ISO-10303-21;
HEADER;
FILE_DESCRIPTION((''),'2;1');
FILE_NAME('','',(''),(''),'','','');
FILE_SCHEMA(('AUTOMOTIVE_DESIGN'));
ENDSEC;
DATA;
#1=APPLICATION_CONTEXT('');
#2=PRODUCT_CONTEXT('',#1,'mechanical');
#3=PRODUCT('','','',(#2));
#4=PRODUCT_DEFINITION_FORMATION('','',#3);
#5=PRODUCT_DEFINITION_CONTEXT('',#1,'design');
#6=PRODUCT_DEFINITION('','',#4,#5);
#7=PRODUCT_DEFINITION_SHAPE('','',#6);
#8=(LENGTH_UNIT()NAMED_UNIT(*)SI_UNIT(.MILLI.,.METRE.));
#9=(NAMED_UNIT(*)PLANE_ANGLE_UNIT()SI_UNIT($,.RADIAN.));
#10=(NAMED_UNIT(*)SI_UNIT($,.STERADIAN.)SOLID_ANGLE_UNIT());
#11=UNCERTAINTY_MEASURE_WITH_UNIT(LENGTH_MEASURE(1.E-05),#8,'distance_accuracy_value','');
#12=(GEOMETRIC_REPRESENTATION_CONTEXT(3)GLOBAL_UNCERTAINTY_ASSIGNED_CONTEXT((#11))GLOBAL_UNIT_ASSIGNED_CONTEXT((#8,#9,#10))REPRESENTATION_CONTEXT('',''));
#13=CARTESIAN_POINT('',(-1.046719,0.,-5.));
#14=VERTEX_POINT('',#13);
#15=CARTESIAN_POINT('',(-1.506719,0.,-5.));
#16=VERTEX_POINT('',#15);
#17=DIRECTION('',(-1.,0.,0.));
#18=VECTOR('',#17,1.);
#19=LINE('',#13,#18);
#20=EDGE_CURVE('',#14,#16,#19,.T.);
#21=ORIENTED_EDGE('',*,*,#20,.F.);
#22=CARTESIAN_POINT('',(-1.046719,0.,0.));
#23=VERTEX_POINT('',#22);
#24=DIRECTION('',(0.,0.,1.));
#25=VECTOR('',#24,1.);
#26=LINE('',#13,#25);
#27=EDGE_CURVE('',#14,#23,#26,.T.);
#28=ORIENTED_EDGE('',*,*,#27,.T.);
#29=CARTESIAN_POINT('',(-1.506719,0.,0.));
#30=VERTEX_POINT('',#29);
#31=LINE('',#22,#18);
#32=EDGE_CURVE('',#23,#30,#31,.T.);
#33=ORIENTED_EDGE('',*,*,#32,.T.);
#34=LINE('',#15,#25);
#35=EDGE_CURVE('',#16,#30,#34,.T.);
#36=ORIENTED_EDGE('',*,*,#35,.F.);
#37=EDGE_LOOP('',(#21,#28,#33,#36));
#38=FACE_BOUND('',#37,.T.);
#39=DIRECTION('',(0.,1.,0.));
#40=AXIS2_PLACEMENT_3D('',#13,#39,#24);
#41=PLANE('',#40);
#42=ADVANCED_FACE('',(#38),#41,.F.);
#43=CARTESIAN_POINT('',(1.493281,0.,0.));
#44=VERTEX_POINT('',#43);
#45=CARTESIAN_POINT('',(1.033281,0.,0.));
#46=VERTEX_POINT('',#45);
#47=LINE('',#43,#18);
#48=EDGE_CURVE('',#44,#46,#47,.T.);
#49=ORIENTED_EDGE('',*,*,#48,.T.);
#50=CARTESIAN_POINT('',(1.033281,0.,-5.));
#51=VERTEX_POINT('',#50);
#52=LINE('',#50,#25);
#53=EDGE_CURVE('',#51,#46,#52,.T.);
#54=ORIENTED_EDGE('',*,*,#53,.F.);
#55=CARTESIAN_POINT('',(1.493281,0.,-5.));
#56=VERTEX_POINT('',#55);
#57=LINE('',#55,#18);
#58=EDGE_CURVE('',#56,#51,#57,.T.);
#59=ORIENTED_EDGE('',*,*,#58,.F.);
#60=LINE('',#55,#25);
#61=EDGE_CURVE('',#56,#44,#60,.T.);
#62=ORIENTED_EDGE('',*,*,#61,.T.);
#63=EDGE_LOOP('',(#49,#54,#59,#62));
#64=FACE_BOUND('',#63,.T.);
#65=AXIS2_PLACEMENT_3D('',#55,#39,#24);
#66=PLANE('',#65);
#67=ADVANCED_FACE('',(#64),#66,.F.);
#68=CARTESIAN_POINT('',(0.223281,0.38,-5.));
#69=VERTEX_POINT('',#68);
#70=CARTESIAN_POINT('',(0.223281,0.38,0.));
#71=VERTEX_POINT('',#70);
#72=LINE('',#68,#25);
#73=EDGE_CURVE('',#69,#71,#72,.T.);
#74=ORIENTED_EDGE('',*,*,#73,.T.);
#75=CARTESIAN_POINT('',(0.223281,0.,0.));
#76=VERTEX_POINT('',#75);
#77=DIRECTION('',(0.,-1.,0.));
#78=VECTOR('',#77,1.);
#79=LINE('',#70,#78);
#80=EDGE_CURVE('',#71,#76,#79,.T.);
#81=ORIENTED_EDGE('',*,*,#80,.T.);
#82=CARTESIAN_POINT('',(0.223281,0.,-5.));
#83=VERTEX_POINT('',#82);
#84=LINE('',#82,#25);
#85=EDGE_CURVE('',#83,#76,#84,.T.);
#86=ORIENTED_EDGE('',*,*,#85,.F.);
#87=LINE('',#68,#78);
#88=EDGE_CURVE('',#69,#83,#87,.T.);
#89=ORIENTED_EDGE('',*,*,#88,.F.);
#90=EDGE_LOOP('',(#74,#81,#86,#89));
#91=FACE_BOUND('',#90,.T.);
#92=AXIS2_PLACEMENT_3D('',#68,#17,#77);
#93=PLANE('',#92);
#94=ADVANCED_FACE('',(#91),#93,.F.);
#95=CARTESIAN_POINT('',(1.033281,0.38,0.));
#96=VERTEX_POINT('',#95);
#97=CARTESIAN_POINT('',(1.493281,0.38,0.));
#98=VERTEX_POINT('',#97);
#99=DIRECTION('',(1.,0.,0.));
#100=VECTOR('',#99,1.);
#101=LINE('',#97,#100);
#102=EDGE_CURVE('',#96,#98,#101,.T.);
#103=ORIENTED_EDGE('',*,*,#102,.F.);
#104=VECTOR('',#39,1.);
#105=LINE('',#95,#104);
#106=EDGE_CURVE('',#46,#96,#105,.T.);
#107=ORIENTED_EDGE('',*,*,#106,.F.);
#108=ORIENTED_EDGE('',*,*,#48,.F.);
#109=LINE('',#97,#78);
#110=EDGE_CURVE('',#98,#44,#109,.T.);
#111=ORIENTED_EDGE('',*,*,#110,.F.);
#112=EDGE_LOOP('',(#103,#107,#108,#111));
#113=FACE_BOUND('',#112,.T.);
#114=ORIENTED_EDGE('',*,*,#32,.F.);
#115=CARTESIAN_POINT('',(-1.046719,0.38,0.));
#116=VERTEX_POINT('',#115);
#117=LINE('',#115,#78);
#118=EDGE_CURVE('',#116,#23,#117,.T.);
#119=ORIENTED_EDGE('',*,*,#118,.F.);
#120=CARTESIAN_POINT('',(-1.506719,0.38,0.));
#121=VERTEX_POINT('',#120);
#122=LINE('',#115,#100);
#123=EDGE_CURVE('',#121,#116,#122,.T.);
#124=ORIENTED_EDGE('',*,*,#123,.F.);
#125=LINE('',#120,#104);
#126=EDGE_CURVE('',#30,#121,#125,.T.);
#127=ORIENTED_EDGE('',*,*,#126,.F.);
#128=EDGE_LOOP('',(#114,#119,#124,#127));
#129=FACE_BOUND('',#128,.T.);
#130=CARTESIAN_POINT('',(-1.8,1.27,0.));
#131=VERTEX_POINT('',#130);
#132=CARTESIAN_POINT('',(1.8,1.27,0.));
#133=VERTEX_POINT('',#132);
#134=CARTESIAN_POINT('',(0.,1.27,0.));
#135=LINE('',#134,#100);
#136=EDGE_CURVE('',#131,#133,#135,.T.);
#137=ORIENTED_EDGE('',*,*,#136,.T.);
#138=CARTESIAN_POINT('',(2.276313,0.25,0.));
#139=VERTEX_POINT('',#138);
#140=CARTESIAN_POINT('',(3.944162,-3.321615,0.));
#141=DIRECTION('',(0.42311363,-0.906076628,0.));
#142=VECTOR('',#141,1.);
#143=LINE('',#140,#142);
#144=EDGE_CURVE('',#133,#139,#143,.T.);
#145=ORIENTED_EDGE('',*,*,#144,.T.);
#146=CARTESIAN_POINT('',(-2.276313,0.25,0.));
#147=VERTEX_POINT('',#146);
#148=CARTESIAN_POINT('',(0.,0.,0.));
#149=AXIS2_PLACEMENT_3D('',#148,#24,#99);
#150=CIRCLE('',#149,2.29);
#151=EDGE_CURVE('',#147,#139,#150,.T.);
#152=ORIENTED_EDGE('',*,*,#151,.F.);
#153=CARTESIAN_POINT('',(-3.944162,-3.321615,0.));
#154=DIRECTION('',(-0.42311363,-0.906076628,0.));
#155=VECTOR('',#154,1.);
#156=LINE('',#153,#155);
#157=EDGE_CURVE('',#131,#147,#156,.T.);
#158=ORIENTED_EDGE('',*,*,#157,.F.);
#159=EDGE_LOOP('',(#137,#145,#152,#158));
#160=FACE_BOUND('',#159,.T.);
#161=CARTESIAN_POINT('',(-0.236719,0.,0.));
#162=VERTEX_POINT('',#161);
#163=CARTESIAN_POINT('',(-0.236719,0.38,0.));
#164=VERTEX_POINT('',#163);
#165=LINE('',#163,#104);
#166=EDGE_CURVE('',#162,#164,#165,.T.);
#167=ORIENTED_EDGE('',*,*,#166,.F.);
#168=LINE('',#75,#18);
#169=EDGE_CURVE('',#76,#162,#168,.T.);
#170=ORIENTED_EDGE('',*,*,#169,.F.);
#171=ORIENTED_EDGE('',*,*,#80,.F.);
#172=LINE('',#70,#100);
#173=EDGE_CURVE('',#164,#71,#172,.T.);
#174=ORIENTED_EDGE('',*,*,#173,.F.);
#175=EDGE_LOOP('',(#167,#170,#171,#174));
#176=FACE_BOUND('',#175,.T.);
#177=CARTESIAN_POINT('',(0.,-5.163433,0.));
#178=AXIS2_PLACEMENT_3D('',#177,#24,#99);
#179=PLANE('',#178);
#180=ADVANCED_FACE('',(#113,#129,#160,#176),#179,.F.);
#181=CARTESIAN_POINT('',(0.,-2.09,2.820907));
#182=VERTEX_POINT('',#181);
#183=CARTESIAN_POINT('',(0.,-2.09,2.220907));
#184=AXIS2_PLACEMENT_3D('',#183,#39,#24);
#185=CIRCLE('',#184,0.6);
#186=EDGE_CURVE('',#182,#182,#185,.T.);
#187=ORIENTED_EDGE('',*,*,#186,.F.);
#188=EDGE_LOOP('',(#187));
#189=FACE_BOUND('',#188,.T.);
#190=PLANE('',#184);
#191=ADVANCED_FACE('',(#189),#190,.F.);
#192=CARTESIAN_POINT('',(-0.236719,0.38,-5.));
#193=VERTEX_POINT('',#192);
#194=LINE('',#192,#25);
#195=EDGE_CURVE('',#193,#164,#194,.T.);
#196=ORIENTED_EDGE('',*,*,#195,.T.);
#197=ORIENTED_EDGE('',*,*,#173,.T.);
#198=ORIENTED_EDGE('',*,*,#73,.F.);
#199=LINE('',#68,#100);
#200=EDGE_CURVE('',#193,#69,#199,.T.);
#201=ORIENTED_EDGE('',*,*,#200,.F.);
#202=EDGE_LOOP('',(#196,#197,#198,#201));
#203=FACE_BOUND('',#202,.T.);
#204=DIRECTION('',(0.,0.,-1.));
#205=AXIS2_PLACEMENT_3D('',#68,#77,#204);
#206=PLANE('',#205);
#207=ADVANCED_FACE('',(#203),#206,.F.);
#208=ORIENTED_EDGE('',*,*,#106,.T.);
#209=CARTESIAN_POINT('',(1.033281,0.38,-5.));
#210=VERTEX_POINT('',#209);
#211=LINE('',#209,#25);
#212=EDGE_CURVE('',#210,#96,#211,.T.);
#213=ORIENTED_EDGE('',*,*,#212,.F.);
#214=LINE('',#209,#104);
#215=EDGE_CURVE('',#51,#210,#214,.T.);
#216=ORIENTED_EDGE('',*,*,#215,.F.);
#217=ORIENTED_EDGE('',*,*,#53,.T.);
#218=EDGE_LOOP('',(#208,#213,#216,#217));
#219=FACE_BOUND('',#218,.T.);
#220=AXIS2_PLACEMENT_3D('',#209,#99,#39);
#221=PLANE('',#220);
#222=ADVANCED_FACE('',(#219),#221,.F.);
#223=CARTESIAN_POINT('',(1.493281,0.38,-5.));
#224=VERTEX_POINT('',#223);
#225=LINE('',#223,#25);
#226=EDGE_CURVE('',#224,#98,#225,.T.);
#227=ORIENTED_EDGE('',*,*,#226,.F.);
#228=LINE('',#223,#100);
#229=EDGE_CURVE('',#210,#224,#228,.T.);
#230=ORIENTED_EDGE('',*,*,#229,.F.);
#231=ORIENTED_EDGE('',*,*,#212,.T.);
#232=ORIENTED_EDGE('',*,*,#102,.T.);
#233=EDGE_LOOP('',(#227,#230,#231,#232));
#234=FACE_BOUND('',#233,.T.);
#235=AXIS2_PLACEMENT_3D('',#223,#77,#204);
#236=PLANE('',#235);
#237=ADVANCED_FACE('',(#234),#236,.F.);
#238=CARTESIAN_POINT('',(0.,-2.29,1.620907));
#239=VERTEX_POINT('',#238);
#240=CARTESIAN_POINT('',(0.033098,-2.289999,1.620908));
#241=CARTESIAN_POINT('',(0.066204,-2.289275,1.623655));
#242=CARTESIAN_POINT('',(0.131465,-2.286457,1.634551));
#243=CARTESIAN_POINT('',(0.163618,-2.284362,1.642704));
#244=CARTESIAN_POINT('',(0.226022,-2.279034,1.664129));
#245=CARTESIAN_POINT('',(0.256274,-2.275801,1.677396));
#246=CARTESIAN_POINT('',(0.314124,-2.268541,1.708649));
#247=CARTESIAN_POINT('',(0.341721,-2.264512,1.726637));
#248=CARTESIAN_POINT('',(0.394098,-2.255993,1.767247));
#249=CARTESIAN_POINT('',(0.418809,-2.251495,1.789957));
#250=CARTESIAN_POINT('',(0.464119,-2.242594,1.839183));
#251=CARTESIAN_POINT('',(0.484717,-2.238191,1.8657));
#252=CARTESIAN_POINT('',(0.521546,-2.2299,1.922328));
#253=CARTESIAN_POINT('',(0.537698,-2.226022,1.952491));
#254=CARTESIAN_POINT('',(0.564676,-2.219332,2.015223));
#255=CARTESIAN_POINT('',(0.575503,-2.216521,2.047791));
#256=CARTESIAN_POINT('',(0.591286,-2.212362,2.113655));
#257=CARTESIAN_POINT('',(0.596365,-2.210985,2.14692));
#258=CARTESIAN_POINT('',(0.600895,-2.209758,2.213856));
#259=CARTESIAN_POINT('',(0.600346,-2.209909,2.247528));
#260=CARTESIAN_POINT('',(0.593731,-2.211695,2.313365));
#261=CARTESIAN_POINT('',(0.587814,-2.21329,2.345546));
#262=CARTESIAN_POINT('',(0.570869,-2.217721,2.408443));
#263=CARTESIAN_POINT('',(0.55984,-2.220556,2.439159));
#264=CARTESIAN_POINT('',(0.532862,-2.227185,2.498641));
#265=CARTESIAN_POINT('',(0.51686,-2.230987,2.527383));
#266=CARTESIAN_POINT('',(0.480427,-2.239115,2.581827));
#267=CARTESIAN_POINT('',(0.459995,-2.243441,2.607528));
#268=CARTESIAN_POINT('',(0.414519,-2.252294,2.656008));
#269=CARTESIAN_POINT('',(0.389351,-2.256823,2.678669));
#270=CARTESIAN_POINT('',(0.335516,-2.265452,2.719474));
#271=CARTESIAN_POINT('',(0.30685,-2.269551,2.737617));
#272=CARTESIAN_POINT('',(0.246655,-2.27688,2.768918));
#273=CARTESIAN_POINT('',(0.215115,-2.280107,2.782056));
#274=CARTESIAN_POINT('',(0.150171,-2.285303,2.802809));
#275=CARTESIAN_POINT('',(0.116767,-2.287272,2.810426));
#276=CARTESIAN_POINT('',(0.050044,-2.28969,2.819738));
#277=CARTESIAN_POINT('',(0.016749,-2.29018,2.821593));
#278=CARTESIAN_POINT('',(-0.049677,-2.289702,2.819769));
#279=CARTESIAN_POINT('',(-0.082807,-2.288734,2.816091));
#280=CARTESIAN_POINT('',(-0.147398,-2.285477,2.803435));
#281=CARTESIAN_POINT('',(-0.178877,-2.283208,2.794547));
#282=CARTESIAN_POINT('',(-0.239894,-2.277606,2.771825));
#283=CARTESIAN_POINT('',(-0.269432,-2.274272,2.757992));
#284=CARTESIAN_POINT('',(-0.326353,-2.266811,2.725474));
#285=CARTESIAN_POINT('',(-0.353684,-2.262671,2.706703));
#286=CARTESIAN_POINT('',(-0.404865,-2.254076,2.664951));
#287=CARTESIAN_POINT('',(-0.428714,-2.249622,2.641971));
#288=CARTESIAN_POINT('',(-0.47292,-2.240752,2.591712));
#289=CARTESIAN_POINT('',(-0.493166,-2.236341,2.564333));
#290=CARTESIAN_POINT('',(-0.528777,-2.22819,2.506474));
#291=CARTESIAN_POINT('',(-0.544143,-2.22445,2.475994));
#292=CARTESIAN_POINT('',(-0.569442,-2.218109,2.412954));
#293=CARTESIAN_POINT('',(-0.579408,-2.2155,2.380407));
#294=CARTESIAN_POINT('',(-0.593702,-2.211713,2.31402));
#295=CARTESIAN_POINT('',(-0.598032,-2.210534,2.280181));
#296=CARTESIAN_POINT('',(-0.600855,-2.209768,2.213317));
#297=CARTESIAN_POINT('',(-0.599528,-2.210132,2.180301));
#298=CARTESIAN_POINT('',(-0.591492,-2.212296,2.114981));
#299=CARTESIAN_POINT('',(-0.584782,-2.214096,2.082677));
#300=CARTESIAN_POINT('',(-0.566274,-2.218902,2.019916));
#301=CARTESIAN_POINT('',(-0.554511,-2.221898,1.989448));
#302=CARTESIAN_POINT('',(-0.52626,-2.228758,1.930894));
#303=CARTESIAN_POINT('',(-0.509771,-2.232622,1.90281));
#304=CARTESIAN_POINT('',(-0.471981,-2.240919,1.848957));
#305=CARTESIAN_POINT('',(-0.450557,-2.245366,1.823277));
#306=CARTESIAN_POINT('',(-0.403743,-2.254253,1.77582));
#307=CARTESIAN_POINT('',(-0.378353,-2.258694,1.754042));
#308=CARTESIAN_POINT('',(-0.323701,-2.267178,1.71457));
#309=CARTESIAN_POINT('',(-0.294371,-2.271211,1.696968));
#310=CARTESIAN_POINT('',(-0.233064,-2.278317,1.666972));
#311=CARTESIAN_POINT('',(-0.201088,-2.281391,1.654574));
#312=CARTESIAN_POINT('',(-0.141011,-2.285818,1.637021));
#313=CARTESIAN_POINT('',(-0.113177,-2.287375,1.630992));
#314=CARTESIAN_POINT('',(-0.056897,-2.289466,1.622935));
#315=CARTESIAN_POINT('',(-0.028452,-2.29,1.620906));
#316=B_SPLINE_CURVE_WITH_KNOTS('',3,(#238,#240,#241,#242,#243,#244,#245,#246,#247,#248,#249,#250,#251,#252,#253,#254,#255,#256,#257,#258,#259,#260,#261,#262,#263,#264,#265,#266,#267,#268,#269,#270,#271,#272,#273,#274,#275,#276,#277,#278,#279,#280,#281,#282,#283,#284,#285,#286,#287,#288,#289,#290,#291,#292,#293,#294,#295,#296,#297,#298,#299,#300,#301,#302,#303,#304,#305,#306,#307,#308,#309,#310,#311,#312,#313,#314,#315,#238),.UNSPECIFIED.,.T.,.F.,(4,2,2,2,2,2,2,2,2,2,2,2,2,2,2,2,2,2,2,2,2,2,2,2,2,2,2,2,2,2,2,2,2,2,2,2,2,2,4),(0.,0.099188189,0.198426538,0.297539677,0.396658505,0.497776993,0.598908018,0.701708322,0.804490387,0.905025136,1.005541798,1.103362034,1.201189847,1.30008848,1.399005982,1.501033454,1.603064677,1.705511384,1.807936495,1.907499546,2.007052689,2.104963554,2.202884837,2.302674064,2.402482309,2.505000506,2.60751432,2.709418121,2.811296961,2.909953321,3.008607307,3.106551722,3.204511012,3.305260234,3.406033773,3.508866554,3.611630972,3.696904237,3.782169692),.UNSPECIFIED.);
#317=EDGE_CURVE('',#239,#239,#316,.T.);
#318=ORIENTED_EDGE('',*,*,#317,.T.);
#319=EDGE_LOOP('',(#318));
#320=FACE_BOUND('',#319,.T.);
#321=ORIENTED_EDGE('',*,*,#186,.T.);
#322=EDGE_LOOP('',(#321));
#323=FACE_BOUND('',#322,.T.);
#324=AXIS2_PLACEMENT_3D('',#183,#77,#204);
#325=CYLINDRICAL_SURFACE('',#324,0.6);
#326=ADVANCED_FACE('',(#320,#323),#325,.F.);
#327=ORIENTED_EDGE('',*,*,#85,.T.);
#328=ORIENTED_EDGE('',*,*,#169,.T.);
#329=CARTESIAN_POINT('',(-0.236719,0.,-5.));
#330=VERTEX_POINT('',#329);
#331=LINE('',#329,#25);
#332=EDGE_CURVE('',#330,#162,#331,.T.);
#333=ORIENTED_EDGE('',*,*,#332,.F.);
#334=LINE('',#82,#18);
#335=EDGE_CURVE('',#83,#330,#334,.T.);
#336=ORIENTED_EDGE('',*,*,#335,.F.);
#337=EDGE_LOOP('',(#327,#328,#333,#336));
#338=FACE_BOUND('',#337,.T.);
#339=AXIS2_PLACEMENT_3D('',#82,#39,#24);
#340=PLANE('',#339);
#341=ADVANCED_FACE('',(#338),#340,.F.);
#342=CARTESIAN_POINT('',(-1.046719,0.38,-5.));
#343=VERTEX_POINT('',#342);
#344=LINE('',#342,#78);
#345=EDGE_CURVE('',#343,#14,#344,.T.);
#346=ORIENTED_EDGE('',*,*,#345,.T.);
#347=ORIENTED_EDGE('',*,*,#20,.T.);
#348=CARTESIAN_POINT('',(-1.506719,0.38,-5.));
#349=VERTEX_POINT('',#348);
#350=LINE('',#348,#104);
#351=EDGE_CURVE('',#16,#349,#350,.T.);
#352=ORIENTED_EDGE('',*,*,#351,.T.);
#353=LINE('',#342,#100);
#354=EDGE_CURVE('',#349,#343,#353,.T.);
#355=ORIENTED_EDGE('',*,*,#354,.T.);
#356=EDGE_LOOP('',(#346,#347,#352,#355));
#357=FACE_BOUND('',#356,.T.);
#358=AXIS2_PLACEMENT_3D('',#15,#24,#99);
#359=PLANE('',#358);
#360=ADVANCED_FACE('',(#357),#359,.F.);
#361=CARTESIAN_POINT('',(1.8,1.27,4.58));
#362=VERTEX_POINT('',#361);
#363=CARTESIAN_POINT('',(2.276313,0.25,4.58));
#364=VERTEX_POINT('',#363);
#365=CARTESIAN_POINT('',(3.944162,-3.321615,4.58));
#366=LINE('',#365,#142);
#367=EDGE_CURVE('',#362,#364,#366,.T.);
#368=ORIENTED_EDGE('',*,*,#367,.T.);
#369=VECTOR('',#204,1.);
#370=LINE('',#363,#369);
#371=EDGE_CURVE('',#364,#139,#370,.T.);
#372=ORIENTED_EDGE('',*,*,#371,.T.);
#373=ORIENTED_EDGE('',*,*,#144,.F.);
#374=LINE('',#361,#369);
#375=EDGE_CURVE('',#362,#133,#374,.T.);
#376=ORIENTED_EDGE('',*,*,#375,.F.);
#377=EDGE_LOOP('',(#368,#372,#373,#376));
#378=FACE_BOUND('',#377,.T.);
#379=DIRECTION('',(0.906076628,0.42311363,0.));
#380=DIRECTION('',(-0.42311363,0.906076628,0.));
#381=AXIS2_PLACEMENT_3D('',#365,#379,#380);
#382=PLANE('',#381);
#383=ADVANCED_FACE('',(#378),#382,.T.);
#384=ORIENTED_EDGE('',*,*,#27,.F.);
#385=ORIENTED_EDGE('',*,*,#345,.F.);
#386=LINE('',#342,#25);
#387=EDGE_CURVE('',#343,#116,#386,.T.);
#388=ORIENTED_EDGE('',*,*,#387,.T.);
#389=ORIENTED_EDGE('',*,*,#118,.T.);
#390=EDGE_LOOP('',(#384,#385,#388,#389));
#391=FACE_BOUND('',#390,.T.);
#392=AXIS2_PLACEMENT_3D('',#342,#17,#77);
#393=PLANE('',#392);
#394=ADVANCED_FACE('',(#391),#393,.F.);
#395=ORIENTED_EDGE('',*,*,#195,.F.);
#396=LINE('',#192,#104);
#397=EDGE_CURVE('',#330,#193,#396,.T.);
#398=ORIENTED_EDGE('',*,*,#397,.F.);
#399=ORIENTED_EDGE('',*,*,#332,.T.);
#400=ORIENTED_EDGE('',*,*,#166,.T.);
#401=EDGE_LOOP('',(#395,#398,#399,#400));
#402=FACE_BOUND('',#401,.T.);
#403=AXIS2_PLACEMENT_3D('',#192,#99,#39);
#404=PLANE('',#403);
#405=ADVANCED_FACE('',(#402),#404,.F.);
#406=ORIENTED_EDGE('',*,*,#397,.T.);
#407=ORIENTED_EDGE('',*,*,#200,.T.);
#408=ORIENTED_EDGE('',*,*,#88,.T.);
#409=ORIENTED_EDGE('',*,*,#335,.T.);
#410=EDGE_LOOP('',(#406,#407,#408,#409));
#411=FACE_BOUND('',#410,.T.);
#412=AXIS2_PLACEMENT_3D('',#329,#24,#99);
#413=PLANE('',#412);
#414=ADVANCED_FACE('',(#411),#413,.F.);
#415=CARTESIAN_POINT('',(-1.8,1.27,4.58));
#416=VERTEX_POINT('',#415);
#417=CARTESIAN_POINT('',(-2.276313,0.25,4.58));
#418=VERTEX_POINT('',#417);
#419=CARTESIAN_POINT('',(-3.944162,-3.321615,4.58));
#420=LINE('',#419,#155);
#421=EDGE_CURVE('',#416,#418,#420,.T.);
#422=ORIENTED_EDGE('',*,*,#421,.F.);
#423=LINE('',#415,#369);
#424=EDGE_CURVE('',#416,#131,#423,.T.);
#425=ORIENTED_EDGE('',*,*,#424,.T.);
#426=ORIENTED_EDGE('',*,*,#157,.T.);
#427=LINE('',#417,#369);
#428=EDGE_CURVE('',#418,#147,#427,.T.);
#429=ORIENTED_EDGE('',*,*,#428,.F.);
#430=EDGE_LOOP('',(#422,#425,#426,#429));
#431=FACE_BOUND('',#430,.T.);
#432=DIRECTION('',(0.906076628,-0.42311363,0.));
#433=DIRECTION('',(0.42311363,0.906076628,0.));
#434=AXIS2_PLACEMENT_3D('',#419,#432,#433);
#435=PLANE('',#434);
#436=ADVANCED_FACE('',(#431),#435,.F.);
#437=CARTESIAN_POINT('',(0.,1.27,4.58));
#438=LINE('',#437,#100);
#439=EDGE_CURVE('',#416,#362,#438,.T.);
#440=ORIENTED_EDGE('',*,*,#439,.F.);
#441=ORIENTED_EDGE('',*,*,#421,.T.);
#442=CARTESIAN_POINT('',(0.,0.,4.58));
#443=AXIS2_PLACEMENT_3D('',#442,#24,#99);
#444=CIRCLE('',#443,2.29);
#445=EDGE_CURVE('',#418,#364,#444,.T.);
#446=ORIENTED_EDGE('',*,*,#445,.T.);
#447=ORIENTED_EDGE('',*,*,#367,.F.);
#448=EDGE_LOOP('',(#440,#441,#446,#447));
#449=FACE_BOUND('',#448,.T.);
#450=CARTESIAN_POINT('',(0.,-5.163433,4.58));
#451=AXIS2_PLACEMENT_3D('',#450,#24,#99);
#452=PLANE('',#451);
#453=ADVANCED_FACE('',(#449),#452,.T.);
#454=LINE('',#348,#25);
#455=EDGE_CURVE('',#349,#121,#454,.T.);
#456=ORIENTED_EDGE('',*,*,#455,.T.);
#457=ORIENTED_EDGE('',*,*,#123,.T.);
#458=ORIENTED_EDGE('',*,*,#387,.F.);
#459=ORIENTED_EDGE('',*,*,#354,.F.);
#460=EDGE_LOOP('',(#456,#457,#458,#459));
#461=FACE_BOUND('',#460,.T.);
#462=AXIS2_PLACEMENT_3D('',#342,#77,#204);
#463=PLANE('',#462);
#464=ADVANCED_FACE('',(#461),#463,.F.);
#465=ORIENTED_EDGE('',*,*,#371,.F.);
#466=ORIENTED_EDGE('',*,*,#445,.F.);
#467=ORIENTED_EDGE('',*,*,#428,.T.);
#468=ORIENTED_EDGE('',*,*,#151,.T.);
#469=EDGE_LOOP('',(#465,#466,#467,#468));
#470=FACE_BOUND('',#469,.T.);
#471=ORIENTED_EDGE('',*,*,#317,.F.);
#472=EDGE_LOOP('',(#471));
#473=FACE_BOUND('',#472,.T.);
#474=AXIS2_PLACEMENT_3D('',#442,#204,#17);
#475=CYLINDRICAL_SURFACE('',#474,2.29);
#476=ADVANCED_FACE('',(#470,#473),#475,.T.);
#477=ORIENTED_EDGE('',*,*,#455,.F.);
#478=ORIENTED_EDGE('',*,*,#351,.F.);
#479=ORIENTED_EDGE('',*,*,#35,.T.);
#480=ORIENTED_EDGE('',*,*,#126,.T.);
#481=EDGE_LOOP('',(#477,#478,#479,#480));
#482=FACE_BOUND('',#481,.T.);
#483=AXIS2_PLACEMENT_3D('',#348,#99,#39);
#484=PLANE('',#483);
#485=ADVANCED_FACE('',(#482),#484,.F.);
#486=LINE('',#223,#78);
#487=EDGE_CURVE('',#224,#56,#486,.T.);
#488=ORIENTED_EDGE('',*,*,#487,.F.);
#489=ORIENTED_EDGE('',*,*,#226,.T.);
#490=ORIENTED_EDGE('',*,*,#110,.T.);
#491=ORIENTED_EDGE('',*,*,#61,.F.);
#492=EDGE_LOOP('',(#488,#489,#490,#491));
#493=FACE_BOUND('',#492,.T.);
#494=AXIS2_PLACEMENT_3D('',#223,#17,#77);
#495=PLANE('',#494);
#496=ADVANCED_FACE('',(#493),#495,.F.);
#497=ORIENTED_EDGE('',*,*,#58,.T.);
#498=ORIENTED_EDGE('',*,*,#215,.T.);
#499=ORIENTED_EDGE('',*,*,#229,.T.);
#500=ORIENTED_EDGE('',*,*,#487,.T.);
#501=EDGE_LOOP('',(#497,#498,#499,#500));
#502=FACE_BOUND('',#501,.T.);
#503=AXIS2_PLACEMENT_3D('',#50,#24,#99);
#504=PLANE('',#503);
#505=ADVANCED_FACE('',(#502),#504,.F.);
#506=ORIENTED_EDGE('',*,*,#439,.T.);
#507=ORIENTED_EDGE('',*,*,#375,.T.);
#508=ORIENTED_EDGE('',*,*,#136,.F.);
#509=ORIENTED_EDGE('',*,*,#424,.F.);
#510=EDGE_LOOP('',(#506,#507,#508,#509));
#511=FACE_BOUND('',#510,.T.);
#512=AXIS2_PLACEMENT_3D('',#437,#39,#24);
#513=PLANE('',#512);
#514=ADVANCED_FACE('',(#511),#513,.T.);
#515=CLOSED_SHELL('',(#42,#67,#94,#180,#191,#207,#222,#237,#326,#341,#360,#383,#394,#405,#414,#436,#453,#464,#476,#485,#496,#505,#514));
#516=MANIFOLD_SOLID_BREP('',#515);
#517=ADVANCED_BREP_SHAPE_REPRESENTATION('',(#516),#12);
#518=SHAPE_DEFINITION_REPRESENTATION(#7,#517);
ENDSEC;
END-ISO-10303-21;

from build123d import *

# Parameters (mm, degrees)
EXTRUDE_1_DEPTH     = 4.58
SKETCH_2_W          = 0.46
SKETCH_2_H          = 0.38
EXTRUDE_2_DEPTH     = 5
SKETCH_3_R          = 0.6
CUT_EXTRUDE_1_DEPTH = 0.2


with BuildPart() as part:
    # 草图1 → 凸台-拉伸1 (new body)
    with BuildSketch(Plane.XY):
        with BuildLine():
            Line((-1.8, 1.27), (-2.276312808, 0.25))
            ThreePointArc((-2.276312808, 0.25), (0, -2.29), (2.276312808, 0.25))
            Line((2.276312808, 0.25), (1.8, 1.27))
            Line((1.8, 1.27), (-1.8, 1.27))
        make_face()
    extrude(amount=EXTRUDE_1_DEPTH)

    # 草图2 → 凸台-拉伸2 (add)
    with BuildSketch(Plane(origin=(0, 0, 0), x_dir=(-1, 0, 0), z_dir=(0, 0, -1))):
        with Locations((0.006718678, 0.19)):
            Rectangle(SKETCH_2_W, SKETCH_2_H)
        with Locations((1.276718678, 0.19)):
            Rectangle(SKETCH_2_W, SKETCH_2_H)
        with Locations((-1.263281322, 0.19)):
            Rectangle(SKETCH_2_W, SKETCH_2_H)
    extrude(amount=EXTRUDE_2_DEPTH)

    # 草图3 → 切除-拉伸1 (cut)
    with BuildSketch(Plane(origin=(0, -2.29, 0), x_dir=(-1, 0, 0), z_dir=(0, 1, 0))):
        with Locations((0, 2.220906824)):
            Circle(SKETCH_3_R)
    extrude(amount=CUT_EXTRUDE_1_DEPTH, mode=Mode.SUBTRACT)


solid = part.part
